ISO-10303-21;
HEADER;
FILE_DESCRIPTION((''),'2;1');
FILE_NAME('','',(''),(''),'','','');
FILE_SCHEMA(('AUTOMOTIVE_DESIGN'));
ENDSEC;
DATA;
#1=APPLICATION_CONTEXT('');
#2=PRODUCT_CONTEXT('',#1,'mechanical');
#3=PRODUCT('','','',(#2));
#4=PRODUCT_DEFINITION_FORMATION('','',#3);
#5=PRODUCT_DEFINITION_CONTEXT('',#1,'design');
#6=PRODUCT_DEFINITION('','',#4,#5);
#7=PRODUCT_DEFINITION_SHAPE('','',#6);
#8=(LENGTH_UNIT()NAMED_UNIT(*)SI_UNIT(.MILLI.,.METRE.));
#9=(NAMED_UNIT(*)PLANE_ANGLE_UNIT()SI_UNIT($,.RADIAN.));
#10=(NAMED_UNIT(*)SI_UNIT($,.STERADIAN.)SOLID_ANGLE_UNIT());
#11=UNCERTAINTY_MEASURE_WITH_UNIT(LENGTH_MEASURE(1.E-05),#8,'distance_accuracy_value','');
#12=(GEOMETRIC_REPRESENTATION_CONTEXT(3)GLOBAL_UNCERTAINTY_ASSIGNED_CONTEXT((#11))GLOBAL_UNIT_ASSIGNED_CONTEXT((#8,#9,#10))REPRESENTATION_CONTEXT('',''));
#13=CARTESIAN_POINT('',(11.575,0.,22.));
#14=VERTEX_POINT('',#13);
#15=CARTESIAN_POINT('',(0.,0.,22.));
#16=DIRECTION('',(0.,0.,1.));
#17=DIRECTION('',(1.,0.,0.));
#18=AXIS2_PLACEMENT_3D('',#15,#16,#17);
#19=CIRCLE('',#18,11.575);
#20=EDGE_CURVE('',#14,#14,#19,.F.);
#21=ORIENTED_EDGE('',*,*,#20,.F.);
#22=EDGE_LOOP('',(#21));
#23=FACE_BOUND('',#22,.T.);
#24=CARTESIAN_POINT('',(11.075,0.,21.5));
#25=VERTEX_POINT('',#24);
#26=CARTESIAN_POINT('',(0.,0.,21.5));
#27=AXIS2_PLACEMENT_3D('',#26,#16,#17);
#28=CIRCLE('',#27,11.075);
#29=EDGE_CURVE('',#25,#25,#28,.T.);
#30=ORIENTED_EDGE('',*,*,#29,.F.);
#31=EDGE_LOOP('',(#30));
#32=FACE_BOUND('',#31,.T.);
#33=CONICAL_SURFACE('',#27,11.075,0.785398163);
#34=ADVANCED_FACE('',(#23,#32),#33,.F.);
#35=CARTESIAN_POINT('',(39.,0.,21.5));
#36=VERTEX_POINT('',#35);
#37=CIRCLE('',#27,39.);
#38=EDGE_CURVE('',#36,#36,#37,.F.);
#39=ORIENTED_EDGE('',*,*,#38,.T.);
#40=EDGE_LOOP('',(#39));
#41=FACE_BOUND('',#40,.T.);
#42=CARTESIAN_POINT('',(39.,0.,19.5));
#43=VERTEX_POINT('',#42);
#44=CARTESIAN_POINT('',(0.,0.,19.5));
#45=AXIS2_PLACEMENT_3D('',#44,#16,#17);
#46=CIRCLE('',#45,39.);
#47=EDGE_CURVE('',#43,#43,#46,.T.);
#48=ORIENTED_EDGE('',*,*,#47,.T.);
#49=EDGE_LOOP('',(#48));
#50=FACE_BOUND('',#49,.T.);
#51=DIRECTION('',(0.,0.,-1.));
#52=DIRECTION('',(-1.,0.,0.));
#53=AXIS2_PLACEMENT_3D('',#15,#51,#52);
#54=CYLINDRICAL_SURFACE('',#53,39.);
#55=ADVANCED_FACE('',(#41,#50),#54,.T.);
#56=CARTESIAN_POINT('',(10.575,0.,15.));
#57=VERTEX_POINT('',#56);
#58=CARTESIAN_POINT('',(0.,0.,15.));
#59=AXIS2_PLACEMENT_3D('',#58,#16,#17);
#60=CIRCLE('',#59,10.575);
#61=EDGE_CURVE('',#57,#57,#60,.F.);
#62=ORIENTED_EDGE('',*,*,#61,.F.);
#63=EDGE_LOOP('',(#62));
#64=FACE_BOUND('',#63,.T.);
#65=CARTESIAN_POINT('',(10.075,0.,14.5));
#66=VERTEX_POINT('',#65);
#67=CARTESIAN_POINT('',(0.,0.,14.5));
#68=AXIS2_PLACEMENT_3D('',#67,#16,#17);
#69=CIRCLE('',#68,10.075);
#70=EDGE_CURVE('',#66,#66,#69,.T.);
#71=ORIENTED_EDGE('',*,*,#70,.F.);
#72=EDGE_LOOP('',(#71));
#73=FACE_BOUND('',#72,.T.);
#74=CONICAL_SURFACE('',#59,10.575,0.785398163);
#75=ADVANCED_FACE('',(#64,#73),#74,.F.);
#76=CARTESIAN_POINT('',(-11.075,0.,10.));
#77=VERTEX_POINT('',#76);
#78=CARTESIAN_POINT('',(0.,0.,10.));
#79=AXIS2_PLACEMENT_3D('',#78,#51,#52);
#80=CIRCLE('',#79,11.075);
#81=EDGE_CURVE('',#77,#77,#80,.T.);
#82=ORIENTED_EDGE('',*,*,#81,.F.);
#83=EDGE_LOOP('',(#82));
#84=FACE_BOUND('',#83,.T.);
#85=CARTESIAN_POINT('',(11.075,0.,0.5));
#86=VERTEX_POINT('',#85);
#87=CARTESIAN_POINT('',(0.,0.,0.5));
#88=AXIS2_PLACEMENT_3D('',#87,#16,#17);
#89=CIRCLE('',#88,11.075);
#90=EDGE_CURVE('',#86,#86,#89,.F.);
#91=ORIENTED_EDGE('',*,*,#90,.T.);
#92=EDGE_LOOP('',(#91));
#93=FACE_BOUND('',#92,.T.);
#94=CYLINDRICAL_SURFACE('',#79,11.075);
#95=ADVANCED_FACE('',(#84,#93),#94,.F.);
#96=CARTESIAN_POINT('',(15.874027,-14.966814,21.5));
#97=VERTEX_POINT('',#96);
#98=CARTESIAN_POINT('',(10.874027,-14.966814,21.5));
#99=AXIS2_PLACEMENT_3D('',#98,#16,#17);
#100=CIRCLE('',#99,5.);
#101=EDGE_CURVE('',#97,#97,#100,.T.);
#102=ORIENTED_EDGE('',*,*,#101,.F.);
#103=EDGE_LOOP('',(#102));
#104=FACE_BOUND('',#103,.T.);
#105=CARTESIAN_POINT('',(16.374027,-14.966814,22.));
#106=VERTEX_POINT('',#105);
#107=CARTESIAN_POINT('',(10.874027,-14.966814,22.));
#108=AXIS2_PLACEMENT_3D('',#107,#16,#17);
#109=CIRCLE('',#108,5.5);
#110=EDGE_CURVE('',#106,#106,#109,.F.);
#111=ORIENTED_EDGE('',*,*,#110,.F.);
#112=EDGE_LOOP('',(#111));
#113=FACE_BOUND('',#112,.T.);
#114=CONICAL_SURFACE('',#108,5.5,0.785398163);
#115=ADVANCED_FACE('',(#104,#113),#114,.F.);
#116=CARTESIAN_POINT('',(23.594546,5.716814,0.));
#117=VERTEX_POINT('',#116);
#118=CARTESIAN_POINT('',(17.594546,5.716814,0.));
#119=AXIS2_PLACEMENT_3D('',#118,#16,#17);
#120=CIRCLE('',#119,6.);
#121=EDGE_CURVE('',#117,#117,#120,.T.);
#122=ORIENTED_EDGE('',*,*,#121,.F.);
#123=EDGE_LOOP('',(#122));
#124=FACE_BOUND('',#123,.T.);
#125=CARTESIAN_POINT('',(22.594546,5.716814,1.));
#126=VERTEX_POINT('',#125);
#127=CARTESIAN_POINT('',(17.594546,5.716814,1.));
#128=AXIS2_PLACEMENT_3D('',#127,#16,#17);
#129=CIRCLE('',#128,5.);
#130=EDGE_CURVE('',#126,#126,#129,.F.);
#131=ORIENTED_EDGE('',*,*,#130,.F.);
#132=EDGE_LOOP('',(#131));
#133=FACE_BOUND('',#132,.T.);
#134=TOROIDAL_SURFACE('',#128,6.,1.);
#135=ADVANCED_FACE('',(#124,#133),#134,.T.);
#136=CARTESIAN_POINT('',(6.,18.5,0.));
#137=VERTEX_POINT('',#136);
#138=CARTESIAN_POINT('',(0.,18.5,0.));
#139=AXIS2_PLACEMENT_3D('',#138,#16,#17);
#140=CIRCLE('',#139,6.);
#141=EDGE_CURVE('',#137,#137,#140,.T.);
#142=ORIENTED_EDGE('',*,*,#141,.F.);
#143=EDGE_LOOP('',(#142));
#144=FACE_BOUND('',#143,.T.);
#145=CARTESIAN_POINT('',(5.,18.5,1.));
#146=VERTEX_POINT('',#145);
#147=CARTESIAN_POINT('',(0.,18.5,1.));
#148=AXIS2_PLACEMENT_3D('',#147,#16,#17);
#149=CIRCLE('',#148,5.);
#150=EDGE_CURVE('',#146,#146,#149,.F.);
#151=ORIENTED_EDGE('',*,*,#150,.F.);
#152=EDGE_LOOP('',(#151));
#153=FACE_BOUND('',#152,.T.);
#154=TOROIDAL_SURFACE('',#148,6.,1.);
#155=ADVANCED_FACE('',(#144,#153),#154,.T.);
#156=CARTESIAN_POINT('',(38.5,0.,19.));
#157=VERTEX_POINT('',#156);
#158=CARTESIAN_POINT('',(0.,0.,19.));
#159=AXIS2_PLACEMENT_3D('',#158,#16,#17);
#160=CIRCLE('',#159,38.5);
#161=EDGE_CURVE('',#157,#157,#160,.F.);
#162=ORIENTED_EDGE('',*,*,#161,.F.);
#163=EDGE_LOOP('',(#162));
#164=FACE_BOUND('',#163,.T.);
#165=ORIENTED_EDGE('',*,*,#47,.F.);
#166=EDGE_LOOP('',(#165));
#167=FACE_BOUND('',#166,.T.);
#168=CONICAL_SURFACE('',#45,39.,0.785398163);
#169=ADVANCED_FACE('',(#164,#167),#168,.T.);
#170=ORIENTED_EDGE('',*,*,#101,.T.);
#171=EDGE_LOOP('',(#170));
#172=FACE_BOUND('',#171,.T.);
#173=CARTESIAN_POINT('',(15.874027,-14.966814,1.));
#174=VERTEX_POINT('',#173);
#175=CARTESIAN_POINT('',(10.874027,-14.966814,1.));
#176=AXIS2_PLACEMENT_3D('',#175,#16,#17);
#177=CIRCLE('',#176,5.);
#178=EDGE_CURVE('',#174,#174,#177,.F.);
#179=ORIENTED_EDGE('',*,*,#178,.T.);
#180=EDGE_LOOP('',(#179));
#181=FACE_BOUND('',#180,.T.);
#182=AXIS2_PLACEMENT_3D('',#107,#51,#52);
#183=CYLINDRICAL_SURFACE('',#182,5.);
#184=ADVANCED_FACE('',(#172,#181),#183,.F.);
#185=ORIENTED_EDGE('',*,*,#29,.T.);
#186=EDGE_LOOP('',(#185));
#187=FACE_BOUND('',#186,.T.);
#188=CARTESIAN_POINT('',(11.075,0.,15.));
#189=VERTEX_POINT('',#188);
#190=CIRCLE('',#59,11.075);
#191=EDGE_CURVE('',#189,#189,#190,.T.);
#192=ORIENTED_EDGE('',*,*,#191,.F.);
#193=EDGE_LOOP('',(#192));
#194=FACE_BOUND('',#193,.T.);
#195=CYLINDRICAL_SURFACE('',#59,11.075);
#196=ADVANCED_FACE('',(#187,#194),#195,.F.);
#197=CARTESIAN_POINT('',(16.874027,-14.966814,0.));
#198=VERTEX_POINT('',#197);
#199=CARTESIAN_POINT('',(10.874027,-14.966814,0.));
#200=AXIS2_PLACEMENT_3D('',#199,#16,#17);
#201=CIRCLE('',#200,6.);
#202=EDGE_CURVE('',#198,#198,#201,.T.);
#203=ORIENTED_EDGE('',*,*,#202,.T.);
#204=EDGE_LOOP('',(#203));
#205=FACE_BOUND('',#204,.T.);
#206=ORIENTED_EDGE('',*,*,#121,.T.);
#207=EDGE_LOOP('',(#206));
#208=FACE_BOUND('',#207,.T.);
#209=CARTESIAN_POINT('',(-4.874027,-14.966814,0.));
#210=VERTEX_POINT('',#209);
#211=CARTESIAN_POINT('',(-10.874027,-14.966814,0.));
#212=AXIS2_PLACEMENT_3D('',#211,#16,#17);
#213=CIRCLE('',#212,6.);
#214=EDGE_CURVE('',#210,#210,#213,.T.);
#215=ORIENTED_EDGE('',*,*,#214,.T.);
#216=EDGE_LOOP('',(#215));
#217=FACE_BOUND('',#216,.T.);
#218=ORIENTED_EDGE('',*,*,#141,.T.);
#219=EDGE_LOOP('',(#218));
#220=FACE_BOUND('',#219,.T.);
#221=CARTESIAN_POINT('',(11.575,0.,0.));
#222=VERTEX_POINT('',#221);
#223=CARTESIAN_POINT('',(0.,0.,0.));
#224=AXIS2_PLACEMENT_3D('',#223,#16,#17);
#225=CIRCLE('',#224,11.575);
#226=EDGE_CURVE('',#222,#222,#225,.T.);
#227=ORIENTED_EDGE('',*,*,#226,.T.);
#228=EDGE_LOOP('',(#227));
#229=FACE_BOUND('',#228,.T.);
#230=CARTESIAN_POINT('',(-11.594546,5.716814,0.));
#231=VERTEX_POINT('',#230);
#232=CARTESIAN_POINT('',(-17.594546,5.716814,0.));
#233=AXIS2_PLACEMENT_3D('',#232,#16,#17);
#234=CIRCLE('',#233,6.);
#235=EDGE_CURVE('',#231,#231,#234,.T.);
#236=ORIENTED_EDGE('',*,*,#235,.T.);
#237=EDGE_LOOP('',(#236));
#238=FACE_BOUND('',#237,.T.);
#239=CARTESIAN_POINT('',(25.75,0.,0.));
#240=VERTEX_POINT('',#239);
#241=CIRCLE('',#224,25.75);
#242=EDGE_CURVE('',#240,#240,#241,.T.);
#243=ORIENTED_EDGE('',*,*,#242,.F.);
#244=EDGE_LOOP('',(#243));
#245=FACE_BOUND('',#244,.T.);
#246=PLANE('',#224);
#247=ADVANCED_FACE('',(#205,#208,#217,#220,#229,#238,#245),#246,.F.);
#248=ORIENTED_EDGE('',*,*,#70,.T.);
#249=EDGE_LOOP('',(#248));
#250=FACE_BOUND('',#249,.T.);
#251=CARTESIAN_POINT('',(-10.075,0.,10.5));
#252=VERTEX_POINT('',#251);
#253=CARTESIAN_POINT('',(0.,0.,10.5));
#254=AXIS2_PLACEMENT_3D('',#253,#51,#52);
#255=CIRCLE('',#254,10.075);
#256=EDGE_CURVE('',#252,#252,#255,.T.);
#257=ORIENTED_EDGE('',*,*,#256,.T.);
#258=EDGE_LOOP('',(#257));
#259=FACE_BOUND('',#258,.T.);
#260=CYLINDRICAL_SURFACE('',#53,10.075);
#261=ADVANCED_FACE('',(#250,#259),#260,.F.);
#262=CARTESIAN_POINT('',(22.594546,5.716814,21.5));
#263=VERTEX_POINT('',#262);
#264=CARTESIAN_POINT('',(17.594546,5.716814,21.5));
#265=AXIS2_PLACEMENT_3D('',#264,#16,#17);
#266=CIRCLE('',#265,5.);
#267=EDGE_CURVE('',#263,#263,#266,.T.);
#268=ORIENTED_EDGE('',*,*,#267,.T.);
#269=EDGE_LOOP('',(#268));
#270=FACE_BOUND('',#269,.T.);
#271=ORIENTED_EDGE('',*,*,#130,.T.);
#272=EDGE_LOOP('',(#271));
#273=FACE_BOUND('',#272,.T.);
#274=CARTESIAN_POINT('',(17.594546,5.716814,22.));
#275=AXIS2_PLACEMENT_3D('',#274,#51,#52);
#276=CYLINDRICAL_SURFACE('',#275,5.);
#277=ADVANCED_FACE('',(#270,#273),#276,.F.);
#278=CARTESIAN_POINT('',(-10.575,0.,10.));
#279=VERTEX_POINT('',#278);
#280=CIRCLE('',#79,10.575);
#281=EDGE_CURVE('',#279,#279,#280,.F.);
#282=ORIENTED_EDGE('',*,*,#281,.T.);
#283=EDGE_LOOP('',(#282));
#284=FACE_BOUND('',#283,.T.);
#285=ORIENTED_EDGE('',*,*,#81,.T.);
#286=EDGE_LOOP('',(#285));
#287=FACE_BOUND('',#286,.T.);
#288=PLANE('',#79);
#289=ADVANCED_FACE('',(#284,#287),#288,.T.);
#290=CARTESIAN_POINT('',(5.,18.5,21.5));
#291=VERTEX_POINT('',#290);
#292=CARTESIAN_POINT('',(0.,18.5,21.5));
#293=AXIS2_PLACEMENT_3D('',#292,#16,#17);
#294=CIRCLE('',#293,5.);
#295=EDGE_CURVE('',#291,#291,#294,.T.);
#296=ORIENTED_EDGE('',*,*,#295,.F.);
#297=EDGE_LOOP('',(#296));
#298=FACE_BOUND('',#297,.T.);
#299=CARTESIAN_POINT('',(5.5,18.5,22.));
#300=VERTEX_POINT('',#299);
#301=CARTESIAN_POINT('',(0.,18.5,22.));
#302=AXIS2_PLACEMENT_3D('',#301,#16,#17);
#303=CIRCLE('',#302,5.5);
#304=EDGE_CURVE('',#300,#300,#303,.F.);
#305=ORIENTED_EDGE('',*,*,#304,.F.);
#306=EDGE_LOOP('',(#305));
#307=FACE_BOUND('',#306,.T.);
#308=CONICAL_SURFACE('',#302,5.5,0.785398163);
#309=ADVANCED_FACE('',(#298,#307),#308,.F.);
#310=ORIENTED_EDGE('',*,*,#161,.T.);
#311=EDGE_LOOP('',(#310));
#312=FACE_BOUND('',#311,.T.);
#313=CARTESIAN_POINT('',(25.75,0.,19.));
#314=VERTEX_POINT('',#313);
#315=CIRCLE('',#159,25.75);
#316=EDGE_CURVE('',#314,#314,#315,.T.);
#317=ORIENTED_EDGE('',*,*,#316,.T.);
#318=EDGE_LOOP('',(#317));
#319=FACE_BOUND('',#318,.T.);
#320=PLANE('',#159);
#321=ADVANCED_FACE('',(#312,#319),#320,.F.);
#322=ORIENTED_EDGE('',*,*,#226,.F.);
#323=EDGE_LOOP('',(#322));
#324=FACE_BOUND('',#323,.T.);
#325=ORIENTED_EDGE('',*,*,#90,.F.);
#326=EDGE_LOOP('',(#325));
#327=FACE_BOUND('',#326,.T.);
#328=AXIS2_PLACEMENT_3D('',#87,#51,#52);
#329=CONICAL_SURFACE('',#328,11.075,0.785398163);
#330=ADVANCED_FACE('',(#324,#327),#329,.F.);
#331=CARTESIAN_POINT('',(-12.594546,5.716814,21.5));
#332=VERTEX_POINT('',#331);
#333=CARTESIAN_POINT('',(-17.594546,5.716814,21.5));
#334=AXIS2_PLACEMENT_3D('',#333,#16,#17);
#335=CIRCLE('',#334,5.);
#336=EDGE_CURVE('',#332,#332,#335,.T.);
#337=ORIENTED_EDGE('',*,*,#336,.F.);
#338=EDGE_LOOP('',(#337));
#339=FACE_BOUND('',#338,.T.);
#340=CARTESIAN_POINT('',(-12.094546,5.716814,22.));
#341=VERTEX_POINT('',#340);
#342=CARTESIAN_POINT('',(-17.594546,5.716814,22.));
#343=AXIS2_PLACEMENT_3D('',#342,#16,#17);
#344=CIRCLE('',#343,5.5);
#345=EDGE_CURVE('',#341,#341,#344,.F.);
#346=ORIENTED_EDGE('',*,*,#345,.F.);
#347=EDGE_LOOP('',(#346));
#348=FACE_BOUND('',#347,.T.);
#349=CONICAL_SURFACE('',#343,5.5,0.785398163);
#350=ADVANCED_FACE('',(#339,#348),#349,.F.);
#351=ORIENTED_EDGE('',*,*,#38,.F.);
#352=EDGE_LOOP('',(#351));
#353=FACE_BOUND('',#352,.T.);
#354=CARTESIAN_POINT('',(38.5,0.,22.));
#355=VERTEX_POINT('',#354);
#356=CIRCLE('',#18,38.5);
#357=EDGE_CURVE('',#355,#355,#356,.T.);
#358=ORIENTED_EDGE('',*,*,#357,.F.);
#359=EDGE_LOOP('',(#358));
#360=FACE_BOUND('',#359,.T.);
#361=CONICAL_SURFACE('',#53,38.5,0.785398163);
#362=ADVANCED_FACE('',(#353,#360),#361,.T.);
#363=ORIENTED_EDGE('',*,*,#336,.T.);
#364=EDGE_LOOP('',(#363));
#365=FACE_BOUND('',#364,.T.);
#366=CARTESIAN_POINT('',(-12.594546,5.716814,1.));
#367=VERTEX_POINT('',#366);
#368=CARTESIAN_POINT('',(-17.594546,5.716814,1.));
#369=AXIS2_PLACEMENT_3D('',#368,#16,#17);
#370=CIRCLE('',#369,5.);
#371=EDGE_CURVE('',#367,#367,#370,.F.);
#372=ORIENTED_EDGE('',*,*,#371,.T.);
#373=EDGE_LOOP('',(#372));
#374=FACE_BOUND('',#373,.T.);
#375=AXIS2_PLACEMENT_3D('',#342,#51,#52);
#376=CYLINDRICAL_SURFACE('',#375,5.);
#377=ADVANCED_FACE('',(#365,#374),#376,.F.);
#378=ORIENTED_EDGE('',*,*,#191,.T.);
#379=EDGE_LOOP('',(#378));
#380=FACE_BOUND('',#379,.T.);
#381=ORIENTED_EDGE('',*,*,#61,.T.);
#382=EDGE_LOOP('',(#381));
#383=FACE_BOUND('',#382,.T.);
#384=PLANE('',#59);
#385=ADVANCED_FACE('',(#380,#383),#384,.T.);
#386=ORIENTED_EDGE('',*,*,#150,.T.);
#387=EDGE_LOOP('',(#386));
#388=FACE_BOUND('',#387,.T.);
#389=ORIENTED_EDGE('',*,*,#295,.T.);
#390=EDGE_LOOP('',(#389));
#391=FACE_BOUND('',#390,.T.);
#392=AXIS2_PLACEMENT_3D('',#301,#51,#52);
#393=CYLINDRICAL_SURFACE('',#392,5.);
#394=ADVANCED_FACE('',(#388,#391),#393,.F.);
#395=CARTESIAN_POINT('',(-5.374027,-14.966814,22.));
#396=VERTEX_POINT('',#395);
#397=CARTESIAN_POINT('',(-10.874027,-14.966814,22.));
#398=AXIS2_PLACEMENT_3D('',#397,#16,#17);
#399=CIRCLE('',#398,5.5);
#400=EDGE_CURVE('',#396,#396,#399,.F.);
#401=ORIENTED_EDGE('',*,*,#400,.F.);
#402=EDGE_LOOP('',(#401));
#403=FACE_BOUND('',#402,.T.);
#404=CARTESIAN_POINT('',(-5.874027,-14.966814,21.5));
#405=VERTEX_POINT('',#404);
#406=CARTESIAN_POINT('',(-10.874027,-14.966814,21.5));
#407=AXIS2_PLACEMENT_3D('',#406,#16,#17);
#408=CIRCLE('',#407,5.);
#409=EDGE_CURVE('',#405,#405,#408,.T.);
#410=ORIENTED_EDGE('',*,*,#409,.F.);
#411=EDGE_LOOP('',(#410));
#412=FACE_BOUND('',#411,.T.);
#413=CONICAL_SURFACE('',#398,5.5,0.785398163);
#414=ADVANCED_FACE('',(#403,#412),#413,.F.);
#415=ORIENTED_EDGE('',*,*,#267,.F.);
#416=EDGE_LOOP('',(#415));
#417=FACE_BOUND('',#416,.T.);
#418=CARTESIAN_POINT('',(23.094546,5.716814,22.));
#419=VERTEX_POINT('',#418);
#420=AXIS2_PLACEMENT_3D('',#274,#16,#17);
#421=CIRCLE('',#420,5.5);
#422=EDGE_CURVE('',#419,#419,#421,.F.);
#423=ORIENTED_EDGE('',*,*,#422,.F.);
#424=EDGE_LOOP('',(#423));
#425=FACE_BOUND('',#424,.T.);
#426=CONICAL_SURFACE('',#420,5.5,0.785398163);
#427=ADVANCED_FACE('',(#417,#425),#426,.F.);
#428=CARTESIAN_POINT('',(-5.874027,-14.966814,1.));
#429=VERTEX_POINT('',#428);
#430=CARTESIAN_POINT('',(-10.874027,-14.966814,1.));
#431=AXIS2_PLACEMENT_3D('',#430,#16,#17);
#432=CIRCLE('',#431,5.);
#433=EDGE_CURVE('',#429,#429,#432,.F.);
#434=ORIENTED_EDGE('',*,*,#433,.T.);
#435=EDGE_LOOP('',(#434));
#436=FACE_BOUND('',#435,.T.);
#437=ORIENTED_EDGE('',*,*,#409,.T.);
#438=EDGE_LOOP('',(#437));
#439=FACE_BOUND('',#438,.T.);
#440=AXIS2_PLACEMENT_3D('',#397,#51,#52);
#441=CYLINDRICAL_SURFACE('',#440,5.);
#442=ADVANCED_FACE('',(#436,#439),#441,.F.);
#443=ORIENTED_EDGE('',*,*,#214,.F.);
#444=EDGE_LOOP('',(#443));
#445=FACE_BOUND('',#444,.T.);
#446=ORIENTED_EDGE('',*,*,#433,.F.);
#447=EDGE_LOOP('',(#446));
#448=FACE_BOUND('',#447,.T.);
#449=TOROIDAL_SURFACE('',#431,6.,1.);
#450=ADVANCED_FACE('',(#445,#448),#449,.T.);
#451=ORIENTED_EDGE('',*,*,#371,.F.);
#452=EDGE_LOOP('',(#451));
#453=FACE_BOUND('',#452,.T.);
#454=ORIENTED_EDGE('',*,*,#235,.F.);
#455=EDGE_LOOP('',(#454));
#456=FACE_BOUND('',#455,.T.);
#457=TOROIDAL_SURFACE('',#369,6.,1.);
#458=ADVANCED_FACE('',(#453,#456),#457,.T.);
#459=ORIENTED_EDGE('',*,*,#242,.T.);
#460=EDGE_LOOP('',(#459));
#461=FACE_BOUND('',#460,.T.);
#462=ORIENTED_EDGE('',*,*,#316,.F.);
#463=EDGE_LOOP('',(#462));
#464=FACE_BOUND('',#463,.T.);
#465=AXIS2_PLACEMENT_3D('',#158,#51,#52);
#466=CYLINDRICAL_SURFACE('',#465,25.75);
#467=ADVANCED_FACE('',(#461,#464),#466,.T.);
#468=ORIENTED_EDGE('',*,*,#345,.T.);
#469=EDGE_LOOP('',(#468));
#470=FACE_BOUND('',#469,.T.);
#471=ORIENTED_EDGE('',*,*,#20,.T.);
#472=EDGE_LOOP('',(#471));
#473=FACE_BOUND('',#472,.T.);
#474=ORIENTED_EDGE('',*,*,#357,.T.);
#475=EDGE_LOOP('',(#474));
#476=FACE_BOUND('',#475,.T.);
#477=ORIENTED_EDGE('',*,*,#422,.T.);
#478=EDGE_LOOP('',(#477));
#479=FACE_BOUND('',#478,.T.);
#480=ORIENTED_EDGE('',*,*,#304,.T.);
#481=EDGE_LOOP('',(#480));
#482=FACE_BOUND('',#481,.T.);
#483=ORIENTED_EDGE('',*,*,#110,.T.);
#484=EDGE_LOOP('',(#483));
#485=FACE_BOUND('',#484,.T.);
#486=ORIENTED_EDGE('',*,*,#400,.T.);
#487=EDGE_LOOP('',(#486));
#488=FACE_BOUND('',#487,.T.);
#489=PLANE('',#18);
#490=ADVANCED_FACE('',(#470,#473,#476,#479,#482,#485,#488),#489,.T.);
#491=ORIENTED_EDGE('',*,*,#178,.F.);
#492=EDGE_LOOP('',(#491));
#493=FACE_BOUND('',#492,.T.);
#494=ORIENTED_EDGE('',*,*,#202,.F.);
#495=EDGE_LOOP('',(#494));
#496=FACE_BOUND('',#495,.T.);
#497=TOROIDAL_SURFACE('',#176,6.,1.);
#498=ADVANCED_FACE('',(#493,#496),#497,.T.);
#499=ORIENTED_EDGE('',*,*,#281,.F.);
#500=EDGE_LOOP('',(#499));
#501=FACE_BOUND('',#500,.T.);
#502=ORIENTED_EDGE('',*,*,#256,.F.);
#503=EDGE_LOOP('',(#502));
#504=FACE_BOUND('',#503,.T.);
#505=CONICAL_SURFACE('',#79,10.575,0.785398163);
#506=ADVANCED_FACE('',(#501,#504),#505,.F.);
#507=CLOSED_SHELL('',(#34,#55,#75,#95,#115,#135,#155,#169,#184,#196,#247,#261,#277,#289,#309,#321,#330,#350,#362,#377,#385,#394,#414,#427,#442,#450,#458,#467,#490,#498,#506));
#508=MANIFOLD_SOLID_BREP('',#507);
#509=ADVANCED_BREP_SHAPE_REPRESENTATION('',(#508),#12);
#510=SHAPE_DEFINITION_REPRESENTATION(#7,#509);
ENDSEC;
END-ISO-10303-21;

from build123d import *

# Parameters (mm, degrees)
SKETCH1_R           = 25.75
BOSS_EXTRUDE1_DEPTH = 19
SKETCH2_R           = 39
BOSS_EXTRUDE2_DEPTH = 3
SKETCH3_R           = 5
CUT_EXTRUDE1_DEPTH  = 23
SKETCH4_R           = 10.075
CUT_EXTRUDE2_DEPTH  = 23
SKETCH5_R           = 11.075
CUT_EXTRUDE3_DEPTH  = 10
SKETCH6_R           = 11.075
CUT_EXTRUDE4_DEPTH  = 7
CHAMFER1_SIZE       = 0.5
FILLET1_R           = 1


with BuildPart() as part:
    # Sketch1 → Boss-Extrude1 (new body)
    with BuildSketch(Plane.XY):
        Circle(SKETCH1_R)
    extrude(amount=BOSS_EXTRUDE1_DEPTH)

    # Sketch2 → Boss-Extrude2 (add)
    with BuildSketch(Plane.XY.offset(19)):
        Circle(SKETCH2_R)
    extrude(amount=BOSS_EXTRUDE2_DEPTH)

    # Sketch3 → Cut-Extrude1 (cut, through all)
    with BuildSketch(Plane(origin=(0, 0, 0), x_dir=(-1, 0, 0), z_dir=(0, 0, -1))):
        with Locations((0, 18.5)):
            Circle(SKETCH3_R)
        with Locations((17.594545551, 5.716814396)):
            Circle(SKETCH3_R)
        with Locations((10.874027167, -14.966814396)):
            Circle(SKETCH3_R)
        with Locations((-10.874027167, -14.966814396)):
            Circle(SKETCH3_R)
        with Locations((-17.594545551, 5.716814396)):
            Circle(SKETCH3_R)
    extrude(amount=-CUT_EXTRUDE1_DEPTH, mode=Mode.SUBTRACT)

    # Sketch4 → Cut-Extrude2 (cut, through all)
    with BuildSketch(Plane(origin=(0, 0, 0), x_dir=(-1, 0, 0), z_dir=(0, 0, -1))):
        Circle(SKETCH4_R)
    extrude(amount=-CUT_EXTRUDE2_DEPTH, mode=Mode.SUBTRACT)

    # Sketch5 → Cut-Extrude3 (cut)
    with BuildSketch(Plane(origin=(0, 0, 0), x_dir=(-1, 0, 0), z_dir=(0, 0, -1))):
        Circle(SKETCH5_R)
    extrude(amount=-CUT_EXTRUDE3_DEPTH, mode=Mode.SUBTRACT)

    # Sketch6 → Cut-Extrude4 (cut)
    with BuildSketch(Plane.XY.offset(22)):
        Circle(SKETCH6_R)
    extrude(amount=-CUT_EXTRUDE4_DEPTH, mode=Mode.SUBTRACT)

    # Chamfer1
    chamfer1_edges = [part.edges().sort_by_distance(p)[0] for p in [
        (5, 18.5, 22),
        (-12.594545551, 5.716814396, 22),
        (-5.874027167, -14.966814396, 22),
        (15.874027167, -14.966814396, 22),
        (22.594545551, 5.716814396, 22),
        (11.075, 0, 0),
        (10.075, 0, 10),
        (-11.075, 0, 22),
        (10.075, 0, 15),
        (-39, 0, 19),
        (-39, 0, 22),
    ]]
    chamfer(chamfer1_edges, length=CHAMFER1_SIZE)

    # Fillet1
    fillet1_edges = [part.edges().sort_by_distance(p)[0] for p in [
        (5, 18.5, 0),
        (-12.594545551, 5.716814396, 0),
        (-5.874027167, -14.966814396, 0),
        (15.874027167, -14.966814396, 0),
        (22.594545551, 5.716814396, 0),
    ]]
    fillet(fillet1_edges, radius=FILLET1_R)


solid = part.part
